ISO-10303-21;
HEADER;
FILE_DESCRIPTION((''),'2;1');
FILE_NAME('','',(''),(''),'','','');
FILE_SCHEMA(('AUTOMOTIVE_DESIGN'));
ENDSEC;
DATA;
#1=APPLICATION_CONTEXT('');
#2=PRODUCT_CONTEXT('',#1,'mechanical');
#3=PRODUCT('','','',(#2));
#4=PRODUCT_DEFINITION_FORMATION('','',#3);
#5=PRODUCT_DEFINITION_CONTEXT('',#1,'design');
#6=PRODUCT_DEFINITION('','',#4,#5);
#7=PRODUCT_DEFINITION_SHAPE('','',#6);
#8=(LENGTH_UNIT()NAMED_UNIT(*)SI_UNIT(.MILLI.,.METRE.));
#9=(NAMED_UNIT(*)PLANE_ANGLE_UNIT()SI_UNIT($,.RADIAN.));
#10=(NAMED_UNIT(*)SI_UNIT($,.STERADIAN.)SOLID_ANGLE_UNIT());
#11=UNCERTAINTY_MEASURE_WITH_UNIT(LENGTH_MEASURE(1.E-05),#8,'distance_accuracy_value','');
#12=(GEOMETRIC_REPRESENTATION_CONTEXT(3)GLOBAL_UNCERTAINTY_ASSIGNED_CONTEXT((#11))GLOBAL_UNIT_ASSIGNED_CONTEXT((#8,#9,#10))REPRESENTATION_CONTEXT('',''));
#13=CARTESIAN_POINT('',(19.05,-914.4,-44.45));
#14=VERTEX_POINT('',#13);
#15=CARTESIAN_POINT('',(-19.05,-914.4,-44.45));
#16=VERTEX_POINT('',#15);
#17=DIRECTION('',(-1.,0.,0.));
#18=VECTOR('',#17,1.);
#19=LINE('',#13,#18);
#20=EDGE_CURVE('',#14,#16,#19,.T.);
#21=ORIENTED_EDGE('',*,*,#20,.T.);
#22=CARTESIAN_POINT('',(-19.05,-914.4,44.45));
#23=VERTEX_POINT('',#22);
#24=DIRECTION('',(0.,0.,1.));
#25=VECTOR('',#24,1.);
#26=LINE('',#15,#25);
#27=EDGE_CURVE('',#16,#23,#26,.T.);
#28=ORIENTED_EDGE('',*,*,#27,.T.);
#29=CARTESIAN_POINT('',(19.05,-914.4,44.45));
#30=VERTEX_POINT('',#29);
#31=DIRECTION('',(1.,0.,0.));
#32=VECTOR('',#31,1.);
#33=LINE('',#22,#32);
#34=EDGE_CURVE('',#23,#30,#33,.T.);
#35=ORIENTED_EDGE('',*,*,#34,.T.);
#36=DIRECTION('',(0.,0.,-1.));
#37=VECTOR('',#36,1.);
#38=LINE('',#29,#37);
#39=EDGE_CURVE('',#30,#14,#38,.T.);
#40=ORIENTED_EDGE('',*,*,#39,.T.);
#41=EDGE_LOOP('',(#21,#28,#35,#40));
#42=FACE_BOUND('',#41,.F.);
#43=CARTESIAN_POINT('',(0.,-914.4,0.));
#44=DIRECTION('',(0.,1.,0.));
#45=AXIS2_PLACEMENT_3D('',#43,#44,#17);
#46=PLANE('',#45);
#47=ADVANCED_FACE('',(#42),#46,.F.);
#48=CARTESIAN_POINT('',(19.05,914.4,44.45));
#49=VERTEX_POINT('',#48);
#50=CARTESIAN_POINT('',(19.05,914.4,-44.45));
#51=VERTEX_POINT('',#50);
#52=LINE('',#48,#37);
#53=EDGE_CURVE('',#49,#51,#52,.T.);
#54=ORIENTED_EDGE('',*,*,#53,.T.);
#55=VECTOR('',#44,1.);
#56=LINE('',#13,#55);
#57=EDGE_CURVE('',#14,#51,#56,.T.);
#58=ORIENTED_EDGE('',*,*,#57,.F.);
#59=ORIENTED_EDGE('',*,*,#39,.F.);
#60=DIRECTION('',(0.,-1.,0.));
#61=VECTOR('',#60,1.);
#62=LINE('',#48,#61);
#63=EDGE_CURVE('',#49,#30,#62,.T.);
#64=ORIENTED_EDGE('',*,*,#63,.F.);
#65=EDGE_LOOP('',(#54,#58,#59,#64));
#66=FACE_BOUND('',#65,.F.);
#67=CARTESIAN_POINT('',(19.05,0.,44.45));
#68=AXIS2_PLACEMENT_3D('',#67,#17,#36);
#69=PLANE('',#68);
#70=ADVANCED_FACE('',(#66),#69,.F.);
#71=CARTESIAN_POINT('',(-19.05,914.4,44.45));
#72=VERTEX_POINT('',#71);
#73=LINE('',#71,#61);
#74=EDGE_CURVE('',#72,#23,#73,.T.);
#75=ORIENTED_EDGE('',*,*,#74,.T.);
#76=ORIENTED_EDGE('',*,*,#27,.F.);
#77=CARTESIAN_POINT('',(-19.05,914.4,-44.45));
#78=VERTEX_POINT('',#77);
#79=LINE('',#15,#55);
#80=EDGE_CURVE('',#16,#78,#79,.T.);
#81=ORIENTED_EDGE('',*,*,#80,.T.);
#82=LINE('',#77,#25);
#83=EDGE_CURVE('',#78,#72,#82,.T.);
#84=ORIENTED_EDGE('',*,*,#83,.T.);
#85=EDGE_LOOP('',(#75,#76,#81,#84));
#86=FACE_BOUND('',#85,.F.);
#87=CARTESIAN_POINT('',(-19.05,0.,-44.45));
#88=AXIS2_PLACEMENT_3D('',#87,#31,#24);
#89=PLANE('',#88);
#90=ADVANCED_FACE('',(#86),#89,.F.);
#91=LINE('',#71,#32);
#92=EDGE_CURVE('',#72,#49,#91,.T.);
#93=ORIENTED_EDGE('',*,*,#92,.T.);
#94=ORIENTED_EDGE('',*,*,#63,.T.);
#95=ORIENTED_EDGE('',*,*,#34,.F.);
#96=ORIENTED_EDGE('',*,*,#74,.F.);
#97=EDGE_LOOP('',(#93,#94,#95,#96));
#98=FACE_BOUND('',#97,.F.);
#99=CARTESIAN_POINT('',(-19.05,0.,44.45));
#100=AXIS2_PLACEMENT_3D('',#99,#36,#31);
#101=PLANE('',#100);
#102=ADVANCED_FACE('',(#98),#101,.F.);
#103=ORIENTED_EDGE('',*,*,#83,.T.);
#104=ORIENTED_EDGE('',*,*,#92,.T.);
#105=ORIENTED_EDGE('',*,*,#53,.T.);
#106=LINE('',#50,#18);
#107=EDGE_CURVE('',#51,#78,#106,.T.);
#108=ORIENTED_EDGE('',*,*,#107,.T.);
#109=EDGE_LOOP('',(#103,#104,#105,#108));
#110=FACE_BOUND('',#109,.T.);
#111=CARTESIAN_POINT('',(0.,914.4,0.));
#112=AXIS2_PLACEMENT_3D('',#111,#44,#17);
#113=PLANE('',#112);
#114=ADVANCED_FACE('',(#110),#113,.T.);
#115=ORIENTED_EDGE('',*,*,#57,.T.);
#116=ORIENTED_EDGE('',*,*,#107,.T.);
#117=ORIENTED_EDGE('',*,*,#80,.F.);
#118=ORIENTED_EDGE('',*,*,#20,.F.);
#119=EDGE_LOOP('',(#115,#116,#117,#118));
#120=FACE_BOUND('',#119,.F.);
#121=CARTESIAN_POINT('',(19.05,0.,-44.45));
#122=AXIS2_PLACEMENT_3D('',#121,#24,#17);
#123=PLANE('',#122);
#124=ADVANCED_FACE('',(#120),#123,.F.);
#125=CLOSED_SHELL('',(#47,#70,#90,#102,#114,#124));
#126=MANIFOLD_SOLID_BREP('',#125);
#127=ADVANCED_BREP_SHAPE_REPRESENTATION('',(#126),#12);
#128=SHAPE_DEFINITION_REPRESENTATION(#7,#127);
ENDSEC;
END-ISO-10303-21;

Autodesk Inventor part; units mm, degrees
ref_plane "YZ Plane" through (0, 0, 0) normal (1, 0, 0) x (0, 1, 0)
ref_plane "XZ Plane" through (0, 0, 0) normal (0, 1, 0) x (-1, 0, 0)
ref_plane "XY Plane" through (0, 0, 0) normal (0, 0, 1) x (1, 0, 0)
sketch "Sketch1" plane through (0, 0, 0) normal (0, 1, 0) x (-1, 0, 0)
  line L0 (-19.05, -44.45) -> (19.05, -44.45)
  line L1 (19.05, -44.45) -> (19.05, 44.45)
  line L2 (19.05, 44.45) -> (-19.05, 44.45)
  line L3 (-19.05, 44.45) -> (-19.05, -44.45)
  line L4 (-19.05, -44.45) -> (19.05, 44.45) construction
  line L5 (19.05, -44.45) -> (-19.05, 44.45) construction
  point P0 (0, 0)
  dimension "d0" = 88.9
  dimension "d1" = 38.1
extrude "Extrusion1" add sketch "Sketch1" along normal mid plane 1828.8
properties part number "2x4x72"
